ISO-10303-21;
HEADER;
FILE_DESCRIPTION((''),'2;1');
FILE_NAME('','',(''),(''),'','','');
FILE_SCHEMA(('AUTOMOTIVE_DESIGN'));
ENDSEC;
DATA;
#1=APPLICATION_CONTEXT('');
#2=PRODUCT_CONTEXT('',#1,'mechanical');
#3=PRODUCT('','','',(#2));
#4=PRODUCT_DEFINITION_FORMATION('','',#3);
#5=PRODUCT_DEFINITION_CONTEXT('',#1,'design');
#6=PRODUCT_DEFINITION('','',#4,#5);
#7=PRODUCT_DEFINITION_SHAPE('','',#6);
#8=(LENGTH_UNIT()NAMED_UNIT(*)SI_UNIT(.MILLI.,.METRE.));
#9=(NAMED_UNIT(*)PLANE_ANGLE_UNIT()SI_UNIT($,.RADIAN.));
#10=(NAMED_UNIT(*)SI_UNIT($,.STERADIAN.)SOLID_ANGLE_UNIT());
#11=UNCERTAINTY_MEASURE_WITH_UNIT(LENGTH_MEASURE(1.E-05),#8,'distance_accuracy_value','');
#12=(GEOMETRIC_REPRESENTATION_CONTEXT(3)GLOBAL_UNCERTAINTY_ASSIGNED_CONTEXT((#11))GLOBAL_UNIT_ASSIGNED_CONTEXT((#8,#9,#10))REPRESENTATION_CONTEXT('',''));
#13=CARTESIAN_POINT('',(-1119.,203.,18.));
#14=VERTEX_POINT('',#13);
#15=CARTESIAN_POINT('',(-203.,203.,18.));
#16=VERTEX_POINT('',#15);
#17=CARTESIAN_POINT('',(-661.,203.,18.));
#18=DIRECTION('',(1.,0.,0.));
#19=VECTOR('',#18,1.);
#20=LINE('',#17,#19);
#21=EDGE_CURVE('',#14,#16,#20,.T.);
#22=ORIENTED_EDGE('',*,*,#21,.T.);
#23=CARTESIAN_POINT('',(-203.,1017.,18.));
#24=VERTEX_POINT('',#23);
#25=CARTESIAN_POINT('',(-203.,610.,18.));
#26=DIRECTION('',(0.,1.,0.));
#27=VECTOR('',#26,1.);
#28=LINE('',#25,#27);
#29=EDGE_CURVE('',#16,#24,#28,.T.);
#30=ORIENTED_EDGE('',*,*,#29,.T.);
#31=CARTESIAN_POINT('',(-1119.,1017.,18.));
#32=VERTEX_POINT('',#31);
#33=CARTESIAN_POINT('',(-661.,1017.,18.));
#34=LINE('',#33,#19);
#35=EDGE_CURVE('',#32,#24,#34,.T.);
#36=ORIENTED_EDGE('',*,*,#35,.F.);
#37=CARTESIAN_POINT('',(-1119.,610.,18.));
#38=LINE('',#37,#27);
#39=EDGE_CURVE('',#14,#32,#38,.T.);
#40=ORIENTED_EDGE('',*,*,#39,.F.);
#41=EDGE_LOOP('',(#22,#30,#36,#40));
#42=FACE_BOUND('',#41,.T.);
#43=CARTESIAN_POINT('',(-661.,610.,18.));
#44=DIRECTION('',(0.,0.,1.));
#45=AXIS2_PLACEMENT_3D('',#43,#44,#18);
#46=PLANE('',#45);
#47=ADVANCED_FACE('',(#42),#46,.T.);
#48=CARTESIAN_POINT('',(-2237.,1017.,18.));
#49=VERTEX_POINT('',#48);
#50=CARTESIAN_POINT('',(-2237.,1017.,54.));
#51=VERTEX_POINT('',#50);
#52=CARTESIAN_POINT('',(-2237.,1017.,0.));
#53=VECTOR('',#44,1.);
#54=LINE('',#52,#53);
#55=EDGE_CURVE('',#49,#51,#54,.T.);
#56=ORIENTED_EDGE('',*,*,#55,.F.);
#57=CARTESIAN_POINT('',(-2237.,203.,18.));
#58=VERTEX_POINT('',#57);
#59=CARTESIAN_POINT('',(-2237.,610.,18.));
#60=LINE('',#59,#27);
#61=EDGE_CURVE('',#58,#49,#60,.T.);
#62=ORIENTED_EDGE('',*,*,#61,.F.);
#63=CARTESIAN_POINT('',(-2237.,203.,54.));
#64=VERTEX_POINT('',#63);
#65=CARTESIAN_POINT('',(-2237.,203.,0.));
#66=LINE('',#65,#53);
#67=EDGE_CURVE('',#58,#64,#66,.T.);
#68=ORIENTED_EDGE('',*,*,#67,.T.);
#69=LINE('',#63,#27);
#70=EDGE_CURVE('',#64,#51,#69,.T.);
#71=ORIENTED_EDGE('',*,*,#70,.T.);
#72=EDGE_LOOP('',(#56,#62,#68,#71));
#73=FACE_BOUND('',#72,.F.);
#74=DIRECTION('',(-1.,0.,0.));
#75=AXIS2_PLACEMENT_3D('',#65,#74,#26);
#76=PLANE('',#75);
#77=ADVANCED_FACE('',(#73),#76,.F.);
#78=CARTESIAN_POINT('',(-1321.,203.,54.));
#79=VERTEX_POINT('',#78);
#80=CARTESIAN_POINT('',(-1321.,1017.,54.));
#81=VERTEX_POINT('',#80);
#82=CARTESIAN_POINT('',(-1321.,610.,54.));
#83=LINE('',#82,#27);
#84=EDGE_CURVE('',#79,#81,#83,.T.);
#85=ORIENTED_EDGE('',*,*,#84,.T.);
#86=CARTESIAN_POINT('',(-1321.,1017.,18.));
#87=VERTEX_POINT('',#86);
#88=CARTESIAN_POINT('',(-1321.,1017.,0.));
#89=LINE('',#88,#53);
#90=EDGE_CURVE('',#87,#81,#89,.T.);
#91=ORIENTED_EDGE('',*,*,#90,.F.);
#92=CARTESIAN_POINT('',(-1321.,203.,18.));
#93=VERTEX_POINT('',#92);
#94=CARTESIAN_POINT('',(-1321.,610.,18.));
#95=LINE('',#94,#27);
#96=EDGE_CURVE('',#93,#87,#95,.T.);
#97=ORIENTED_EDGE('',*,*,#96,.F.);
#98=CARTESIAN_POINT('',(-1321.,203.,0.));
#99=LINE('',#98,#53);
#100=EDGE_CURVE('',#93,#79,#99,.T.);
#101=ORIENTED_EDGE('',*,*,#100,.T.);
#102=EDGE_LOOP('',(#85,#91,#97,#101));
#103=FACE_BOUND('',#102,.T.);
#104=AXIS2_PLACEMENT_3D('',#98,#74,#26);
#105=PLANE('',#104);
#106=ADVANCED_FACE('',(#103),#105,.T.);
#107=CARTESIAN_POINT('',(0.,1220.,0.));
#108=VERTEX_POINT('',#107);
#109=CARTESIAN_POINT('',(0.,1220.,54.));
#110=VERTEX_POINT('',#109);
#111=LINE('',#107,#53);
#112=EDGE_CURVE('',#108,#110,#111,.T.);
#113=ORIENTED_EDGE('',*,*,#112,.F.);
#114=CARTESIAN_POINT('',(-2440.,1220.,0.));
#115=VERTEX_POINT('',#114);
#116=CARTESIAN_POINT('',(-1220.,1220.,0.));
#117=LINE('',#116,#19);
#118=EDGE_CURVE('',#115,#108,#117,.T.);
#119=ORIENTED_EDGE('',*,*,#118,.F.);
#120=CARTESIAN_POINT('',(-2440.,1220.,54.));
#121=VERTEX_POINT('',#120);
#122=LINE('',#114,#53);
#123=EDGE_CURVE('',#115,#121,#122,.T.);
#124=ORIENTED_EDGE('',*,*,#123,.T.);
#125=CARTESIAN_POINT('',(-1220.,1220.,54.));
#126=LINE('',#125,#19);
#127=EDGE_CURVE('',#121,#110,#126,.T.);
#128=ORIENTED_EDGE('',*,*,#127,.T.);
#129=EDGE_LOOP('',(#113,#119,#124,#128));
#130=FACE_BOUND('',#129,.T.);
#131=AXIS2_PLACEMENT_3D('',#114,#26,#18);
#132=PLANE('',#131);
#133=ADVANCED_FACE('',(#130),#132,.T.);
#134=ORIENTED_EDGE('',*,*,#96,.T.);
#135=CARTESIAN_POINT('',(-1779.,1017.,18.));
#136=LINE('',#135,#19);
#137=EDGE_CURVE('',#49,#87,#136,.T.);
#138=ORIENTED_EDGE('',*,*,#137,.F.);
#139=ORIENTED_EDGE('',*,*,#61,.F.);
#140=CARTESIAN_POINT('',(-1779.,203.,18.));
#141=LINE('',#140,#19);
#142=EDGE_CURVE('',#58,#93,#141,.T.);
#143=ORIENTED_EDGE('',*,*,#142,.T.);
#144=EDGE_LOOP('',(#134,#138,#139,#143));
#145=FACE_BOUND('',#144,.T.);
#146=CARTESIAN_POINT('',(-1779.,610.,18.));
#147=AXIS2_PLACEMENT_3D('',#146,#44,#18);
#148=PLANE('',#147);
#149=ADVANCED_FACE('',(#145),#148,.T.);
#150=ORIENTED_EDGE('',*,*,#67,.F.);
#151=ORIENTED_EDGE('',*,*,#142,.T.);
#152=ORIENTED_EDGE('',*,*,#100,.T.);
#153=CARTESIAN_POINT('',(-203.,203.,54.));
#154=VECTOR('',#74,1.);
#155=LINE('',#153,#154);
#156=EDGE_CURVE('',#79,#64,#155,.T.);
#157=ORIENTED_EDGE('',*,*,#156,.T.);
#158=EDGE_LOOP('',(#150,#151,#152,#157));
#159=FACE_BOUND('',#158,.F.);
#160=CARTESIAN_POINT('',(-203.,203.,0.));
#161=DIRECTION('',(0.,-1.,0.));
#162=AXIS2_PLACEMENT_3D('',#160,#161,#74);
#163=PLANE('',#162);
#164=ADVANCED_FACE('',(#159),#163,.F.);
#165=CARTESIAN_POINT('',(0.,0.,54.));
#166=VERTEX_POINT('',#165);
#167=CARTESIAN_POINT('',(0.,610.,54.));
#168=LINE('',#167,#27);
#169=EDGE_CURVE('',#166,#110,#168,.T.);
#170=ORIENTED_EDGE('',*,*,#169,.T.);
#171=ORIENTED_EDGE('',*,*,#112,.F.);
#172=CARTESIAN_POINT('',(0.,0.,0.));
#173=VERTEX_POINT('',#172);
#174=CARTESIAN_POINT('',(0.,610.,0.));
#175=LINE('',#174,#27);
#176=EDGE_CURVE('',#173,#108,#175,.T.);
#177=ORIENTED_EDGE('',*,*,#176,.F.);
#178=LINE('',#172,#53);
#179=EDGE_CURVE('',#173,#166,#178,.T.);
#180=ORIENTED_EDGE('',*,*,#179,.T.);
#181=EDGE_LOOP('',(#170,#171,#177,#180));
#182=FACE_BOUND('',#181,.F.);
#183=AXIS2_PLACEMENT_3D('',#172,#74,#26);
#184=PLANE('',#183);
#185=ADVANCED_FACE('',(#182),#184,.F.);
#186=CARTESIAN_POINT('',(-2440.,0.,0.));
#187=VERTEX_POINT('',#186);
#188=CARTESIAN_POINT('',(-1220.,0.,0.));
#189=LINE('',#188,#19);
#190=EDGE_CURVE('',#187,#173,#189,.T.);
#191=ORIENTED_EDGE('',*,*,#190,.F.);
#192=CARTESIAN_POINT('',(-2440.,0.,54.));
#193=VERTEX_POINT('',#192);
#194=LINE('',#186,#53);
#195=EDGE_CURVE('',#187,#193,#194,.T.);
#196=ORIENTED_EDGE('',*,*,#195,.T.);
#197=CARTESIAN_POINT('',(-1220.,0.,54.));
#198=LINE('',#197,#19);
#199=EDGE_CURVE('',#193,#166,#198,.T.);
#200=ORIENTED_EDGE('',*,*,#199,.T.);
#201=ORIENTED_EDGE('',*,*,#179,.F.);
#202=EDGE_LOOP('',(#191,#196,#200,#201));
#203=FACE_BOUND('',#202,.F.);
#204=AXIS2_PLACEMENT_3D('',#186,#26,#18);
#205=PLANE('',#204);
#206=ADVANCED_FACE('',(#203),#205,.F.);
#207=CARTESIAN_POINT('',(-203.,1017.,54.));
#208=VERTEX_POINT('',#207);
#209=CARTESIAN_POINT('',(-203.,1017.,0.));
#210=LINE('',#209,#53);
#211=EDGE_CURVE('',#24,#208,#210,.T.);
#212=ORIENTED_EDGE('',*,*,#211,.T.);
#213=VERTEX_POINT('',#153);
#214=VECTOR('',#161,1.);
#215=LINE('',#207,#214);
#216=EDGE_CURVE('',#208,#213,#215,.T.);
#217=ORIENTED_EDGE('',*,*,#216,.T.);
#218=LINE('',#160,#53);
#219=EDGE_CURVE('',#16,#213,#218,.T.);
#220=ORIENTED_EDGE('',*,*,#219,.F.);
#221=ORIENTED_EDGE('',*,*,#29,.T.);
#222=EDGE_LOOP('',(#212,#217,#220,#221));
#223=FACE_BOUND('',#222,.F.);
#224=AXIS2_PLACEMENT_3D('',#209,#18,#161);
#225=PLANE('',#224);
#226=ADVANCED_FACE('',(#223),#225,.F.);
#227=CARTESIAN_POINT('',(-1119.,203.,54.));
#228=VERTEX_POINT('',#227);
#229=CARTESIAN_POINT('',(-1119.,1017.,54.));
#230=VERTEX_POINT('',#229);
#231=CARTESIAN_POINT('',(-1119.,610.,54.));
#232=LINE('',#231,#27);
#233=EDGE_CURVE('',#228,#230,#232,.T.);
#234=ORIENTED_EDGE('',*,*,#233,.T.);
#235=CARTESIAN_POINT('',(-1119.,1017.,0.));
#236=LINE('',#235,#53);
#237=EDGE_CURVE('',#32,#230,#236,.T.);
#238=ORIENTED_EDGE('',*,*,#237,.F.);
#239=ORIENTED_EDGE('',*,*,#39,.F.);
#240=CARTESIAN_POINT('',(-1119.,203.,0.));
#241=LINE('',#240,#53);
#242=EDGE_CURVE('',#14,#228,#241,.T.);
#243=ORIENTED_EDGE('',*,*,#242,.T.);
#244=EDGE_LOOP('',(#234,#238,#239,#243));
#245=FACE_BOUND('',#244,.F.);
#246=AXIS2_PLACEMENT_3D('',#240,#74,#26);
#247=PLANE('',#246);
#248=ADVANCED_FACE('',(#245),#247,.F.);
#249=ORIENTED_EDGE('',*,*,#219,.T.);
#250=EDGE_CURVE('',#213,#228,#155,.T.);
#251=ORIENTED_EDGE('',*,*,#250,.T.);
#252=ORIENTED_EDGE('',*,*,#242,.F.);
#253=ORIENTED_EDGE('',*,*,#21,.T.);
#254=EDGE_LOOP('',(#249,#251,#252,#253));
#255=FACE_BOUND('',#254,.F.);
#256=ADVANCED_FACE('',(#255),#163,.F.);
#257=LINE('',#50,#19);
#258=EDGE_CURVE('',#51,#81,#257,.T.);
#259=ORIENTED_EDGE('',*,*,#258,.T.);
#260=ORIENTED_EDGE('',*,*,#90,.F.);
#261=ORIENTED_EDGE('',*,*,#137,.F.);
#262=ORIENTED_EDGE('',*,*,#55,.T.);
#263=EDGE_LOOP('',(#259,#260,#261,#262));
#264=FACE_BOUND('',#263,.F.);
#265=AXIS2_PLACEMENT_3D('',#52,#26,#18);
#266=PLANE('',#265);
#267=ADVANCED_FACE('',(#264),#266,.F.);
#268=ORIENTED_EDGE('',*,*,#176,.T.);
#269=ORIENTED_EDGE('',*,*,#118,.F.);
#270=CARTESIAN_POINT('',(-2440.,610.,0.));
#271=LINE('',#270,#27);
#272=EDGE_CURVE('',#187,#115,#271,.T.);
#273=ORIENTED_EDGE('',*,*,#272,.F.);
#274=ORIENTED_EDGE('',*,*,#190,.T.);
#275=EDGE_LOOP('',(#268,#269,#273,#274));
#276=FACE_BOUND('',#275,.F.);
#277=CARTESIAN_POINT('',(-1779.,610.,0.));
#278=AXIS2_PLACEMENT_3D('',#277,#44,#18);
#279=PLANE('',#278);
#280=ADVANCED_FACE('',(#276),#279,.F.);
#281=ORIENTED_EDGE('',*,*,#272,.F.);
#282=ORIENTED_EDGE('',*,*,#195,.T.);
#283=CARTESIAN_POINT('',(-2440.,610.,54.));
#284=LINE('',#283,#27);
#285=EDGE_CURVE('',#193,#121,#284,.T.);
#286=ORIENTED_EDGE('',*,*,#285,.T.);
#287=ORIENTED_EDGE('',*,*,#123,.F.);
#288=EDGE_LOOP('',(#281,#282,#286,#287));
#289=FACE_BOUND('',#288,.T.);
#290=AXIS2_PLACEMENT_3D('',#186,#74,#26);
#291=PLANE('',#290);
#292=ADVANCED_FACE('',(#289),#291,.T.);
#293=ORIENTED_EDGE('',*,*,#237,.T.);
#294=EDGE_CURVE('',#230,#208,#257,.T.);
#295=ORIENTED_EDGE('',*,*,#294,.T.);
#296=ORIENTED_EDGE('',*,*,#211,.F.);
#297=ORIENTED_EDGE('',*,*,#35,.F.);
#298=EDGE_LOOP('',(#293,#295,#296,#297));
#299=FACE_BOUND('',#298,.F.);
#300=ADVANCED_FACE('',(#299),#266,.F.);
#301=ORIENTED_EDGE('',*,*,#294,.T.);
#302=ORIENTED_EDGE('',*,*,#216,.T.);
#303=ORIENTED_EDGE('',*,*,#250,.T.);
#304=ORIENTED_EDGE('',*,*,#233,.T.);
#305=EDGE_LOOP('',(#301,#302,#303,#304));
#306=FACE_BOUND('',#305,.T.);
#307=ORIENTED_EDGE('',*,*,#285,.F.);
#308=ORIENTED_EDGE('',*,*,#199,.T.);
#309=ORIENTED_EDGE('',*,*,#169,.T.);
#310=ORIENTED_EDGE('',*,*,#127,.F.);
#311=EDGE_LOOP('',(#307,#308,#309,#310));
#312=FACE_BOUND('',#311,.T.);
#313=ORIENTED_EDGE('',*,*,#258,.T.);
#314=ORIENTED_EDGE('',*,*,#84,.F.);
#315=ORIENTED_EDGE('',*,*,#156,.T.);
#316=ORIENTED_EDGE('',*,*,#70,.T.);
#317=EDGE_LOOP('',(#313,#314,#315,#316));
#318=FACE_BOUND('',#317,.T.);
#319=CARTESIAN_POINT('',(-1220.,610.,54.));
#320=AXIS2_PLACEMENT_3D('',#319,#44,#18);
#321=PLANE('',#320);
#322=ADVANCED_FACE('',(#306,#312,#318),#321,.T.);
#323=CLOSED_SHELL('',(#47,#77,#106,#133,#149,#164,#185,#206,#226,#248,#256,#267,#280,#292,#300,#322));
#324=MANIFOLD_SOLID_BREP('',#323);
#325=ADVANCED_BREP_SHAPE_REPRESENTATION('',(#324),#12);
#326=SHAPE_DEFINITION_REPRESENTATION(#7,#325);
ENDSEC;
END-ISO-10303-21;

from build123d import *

# Parameters (mm, degrees)
F0_W     = 2440
F0_H     = 1220
F1_DEPTH = 54
F0_W_2   = 202
F0_H_2   = 814
F2_DEPTH = 54
F0_W_3   = 916
F3_DEPTH = 18


with BuildPart() as f1:
    # F0 (on Top) → F1 (new body)
    with BuildSketch(Plane.XY):
        with Locations((-1220, 610)):
            Rectangle(F0_W, F0_H)
        Polygon((-2237, 203), (-2237, 1017), (-1321, 1017), (-1119, 1017), (-203, 1017), (-203, 203), (-1119, 203), (-1321, 203), align=None, mode=Mode.SUBTRACT)
    extrude(amount=F1_DEPTH)

    # F0 (on Top) → F2 (join)
    with BuildSketch(Plane.XY):
        with Locations((-1220, 610)):
            Rectangle(F0_W_2, F0_H_2)
    extrude(amount=F2_DEPTH)

    # F0 (on Top) → F3 (join)
    with BuildSketch(Plane.XY):
        with Locations((-1779, 610)):
            Rectangle(F0_W_3, F0_H_2)
        with Locations((-661, 610)):
            Rectangle(F0_W_3, F0_H_2)
    extrude(amount=F3_DEPTH)


solid = f1.part
